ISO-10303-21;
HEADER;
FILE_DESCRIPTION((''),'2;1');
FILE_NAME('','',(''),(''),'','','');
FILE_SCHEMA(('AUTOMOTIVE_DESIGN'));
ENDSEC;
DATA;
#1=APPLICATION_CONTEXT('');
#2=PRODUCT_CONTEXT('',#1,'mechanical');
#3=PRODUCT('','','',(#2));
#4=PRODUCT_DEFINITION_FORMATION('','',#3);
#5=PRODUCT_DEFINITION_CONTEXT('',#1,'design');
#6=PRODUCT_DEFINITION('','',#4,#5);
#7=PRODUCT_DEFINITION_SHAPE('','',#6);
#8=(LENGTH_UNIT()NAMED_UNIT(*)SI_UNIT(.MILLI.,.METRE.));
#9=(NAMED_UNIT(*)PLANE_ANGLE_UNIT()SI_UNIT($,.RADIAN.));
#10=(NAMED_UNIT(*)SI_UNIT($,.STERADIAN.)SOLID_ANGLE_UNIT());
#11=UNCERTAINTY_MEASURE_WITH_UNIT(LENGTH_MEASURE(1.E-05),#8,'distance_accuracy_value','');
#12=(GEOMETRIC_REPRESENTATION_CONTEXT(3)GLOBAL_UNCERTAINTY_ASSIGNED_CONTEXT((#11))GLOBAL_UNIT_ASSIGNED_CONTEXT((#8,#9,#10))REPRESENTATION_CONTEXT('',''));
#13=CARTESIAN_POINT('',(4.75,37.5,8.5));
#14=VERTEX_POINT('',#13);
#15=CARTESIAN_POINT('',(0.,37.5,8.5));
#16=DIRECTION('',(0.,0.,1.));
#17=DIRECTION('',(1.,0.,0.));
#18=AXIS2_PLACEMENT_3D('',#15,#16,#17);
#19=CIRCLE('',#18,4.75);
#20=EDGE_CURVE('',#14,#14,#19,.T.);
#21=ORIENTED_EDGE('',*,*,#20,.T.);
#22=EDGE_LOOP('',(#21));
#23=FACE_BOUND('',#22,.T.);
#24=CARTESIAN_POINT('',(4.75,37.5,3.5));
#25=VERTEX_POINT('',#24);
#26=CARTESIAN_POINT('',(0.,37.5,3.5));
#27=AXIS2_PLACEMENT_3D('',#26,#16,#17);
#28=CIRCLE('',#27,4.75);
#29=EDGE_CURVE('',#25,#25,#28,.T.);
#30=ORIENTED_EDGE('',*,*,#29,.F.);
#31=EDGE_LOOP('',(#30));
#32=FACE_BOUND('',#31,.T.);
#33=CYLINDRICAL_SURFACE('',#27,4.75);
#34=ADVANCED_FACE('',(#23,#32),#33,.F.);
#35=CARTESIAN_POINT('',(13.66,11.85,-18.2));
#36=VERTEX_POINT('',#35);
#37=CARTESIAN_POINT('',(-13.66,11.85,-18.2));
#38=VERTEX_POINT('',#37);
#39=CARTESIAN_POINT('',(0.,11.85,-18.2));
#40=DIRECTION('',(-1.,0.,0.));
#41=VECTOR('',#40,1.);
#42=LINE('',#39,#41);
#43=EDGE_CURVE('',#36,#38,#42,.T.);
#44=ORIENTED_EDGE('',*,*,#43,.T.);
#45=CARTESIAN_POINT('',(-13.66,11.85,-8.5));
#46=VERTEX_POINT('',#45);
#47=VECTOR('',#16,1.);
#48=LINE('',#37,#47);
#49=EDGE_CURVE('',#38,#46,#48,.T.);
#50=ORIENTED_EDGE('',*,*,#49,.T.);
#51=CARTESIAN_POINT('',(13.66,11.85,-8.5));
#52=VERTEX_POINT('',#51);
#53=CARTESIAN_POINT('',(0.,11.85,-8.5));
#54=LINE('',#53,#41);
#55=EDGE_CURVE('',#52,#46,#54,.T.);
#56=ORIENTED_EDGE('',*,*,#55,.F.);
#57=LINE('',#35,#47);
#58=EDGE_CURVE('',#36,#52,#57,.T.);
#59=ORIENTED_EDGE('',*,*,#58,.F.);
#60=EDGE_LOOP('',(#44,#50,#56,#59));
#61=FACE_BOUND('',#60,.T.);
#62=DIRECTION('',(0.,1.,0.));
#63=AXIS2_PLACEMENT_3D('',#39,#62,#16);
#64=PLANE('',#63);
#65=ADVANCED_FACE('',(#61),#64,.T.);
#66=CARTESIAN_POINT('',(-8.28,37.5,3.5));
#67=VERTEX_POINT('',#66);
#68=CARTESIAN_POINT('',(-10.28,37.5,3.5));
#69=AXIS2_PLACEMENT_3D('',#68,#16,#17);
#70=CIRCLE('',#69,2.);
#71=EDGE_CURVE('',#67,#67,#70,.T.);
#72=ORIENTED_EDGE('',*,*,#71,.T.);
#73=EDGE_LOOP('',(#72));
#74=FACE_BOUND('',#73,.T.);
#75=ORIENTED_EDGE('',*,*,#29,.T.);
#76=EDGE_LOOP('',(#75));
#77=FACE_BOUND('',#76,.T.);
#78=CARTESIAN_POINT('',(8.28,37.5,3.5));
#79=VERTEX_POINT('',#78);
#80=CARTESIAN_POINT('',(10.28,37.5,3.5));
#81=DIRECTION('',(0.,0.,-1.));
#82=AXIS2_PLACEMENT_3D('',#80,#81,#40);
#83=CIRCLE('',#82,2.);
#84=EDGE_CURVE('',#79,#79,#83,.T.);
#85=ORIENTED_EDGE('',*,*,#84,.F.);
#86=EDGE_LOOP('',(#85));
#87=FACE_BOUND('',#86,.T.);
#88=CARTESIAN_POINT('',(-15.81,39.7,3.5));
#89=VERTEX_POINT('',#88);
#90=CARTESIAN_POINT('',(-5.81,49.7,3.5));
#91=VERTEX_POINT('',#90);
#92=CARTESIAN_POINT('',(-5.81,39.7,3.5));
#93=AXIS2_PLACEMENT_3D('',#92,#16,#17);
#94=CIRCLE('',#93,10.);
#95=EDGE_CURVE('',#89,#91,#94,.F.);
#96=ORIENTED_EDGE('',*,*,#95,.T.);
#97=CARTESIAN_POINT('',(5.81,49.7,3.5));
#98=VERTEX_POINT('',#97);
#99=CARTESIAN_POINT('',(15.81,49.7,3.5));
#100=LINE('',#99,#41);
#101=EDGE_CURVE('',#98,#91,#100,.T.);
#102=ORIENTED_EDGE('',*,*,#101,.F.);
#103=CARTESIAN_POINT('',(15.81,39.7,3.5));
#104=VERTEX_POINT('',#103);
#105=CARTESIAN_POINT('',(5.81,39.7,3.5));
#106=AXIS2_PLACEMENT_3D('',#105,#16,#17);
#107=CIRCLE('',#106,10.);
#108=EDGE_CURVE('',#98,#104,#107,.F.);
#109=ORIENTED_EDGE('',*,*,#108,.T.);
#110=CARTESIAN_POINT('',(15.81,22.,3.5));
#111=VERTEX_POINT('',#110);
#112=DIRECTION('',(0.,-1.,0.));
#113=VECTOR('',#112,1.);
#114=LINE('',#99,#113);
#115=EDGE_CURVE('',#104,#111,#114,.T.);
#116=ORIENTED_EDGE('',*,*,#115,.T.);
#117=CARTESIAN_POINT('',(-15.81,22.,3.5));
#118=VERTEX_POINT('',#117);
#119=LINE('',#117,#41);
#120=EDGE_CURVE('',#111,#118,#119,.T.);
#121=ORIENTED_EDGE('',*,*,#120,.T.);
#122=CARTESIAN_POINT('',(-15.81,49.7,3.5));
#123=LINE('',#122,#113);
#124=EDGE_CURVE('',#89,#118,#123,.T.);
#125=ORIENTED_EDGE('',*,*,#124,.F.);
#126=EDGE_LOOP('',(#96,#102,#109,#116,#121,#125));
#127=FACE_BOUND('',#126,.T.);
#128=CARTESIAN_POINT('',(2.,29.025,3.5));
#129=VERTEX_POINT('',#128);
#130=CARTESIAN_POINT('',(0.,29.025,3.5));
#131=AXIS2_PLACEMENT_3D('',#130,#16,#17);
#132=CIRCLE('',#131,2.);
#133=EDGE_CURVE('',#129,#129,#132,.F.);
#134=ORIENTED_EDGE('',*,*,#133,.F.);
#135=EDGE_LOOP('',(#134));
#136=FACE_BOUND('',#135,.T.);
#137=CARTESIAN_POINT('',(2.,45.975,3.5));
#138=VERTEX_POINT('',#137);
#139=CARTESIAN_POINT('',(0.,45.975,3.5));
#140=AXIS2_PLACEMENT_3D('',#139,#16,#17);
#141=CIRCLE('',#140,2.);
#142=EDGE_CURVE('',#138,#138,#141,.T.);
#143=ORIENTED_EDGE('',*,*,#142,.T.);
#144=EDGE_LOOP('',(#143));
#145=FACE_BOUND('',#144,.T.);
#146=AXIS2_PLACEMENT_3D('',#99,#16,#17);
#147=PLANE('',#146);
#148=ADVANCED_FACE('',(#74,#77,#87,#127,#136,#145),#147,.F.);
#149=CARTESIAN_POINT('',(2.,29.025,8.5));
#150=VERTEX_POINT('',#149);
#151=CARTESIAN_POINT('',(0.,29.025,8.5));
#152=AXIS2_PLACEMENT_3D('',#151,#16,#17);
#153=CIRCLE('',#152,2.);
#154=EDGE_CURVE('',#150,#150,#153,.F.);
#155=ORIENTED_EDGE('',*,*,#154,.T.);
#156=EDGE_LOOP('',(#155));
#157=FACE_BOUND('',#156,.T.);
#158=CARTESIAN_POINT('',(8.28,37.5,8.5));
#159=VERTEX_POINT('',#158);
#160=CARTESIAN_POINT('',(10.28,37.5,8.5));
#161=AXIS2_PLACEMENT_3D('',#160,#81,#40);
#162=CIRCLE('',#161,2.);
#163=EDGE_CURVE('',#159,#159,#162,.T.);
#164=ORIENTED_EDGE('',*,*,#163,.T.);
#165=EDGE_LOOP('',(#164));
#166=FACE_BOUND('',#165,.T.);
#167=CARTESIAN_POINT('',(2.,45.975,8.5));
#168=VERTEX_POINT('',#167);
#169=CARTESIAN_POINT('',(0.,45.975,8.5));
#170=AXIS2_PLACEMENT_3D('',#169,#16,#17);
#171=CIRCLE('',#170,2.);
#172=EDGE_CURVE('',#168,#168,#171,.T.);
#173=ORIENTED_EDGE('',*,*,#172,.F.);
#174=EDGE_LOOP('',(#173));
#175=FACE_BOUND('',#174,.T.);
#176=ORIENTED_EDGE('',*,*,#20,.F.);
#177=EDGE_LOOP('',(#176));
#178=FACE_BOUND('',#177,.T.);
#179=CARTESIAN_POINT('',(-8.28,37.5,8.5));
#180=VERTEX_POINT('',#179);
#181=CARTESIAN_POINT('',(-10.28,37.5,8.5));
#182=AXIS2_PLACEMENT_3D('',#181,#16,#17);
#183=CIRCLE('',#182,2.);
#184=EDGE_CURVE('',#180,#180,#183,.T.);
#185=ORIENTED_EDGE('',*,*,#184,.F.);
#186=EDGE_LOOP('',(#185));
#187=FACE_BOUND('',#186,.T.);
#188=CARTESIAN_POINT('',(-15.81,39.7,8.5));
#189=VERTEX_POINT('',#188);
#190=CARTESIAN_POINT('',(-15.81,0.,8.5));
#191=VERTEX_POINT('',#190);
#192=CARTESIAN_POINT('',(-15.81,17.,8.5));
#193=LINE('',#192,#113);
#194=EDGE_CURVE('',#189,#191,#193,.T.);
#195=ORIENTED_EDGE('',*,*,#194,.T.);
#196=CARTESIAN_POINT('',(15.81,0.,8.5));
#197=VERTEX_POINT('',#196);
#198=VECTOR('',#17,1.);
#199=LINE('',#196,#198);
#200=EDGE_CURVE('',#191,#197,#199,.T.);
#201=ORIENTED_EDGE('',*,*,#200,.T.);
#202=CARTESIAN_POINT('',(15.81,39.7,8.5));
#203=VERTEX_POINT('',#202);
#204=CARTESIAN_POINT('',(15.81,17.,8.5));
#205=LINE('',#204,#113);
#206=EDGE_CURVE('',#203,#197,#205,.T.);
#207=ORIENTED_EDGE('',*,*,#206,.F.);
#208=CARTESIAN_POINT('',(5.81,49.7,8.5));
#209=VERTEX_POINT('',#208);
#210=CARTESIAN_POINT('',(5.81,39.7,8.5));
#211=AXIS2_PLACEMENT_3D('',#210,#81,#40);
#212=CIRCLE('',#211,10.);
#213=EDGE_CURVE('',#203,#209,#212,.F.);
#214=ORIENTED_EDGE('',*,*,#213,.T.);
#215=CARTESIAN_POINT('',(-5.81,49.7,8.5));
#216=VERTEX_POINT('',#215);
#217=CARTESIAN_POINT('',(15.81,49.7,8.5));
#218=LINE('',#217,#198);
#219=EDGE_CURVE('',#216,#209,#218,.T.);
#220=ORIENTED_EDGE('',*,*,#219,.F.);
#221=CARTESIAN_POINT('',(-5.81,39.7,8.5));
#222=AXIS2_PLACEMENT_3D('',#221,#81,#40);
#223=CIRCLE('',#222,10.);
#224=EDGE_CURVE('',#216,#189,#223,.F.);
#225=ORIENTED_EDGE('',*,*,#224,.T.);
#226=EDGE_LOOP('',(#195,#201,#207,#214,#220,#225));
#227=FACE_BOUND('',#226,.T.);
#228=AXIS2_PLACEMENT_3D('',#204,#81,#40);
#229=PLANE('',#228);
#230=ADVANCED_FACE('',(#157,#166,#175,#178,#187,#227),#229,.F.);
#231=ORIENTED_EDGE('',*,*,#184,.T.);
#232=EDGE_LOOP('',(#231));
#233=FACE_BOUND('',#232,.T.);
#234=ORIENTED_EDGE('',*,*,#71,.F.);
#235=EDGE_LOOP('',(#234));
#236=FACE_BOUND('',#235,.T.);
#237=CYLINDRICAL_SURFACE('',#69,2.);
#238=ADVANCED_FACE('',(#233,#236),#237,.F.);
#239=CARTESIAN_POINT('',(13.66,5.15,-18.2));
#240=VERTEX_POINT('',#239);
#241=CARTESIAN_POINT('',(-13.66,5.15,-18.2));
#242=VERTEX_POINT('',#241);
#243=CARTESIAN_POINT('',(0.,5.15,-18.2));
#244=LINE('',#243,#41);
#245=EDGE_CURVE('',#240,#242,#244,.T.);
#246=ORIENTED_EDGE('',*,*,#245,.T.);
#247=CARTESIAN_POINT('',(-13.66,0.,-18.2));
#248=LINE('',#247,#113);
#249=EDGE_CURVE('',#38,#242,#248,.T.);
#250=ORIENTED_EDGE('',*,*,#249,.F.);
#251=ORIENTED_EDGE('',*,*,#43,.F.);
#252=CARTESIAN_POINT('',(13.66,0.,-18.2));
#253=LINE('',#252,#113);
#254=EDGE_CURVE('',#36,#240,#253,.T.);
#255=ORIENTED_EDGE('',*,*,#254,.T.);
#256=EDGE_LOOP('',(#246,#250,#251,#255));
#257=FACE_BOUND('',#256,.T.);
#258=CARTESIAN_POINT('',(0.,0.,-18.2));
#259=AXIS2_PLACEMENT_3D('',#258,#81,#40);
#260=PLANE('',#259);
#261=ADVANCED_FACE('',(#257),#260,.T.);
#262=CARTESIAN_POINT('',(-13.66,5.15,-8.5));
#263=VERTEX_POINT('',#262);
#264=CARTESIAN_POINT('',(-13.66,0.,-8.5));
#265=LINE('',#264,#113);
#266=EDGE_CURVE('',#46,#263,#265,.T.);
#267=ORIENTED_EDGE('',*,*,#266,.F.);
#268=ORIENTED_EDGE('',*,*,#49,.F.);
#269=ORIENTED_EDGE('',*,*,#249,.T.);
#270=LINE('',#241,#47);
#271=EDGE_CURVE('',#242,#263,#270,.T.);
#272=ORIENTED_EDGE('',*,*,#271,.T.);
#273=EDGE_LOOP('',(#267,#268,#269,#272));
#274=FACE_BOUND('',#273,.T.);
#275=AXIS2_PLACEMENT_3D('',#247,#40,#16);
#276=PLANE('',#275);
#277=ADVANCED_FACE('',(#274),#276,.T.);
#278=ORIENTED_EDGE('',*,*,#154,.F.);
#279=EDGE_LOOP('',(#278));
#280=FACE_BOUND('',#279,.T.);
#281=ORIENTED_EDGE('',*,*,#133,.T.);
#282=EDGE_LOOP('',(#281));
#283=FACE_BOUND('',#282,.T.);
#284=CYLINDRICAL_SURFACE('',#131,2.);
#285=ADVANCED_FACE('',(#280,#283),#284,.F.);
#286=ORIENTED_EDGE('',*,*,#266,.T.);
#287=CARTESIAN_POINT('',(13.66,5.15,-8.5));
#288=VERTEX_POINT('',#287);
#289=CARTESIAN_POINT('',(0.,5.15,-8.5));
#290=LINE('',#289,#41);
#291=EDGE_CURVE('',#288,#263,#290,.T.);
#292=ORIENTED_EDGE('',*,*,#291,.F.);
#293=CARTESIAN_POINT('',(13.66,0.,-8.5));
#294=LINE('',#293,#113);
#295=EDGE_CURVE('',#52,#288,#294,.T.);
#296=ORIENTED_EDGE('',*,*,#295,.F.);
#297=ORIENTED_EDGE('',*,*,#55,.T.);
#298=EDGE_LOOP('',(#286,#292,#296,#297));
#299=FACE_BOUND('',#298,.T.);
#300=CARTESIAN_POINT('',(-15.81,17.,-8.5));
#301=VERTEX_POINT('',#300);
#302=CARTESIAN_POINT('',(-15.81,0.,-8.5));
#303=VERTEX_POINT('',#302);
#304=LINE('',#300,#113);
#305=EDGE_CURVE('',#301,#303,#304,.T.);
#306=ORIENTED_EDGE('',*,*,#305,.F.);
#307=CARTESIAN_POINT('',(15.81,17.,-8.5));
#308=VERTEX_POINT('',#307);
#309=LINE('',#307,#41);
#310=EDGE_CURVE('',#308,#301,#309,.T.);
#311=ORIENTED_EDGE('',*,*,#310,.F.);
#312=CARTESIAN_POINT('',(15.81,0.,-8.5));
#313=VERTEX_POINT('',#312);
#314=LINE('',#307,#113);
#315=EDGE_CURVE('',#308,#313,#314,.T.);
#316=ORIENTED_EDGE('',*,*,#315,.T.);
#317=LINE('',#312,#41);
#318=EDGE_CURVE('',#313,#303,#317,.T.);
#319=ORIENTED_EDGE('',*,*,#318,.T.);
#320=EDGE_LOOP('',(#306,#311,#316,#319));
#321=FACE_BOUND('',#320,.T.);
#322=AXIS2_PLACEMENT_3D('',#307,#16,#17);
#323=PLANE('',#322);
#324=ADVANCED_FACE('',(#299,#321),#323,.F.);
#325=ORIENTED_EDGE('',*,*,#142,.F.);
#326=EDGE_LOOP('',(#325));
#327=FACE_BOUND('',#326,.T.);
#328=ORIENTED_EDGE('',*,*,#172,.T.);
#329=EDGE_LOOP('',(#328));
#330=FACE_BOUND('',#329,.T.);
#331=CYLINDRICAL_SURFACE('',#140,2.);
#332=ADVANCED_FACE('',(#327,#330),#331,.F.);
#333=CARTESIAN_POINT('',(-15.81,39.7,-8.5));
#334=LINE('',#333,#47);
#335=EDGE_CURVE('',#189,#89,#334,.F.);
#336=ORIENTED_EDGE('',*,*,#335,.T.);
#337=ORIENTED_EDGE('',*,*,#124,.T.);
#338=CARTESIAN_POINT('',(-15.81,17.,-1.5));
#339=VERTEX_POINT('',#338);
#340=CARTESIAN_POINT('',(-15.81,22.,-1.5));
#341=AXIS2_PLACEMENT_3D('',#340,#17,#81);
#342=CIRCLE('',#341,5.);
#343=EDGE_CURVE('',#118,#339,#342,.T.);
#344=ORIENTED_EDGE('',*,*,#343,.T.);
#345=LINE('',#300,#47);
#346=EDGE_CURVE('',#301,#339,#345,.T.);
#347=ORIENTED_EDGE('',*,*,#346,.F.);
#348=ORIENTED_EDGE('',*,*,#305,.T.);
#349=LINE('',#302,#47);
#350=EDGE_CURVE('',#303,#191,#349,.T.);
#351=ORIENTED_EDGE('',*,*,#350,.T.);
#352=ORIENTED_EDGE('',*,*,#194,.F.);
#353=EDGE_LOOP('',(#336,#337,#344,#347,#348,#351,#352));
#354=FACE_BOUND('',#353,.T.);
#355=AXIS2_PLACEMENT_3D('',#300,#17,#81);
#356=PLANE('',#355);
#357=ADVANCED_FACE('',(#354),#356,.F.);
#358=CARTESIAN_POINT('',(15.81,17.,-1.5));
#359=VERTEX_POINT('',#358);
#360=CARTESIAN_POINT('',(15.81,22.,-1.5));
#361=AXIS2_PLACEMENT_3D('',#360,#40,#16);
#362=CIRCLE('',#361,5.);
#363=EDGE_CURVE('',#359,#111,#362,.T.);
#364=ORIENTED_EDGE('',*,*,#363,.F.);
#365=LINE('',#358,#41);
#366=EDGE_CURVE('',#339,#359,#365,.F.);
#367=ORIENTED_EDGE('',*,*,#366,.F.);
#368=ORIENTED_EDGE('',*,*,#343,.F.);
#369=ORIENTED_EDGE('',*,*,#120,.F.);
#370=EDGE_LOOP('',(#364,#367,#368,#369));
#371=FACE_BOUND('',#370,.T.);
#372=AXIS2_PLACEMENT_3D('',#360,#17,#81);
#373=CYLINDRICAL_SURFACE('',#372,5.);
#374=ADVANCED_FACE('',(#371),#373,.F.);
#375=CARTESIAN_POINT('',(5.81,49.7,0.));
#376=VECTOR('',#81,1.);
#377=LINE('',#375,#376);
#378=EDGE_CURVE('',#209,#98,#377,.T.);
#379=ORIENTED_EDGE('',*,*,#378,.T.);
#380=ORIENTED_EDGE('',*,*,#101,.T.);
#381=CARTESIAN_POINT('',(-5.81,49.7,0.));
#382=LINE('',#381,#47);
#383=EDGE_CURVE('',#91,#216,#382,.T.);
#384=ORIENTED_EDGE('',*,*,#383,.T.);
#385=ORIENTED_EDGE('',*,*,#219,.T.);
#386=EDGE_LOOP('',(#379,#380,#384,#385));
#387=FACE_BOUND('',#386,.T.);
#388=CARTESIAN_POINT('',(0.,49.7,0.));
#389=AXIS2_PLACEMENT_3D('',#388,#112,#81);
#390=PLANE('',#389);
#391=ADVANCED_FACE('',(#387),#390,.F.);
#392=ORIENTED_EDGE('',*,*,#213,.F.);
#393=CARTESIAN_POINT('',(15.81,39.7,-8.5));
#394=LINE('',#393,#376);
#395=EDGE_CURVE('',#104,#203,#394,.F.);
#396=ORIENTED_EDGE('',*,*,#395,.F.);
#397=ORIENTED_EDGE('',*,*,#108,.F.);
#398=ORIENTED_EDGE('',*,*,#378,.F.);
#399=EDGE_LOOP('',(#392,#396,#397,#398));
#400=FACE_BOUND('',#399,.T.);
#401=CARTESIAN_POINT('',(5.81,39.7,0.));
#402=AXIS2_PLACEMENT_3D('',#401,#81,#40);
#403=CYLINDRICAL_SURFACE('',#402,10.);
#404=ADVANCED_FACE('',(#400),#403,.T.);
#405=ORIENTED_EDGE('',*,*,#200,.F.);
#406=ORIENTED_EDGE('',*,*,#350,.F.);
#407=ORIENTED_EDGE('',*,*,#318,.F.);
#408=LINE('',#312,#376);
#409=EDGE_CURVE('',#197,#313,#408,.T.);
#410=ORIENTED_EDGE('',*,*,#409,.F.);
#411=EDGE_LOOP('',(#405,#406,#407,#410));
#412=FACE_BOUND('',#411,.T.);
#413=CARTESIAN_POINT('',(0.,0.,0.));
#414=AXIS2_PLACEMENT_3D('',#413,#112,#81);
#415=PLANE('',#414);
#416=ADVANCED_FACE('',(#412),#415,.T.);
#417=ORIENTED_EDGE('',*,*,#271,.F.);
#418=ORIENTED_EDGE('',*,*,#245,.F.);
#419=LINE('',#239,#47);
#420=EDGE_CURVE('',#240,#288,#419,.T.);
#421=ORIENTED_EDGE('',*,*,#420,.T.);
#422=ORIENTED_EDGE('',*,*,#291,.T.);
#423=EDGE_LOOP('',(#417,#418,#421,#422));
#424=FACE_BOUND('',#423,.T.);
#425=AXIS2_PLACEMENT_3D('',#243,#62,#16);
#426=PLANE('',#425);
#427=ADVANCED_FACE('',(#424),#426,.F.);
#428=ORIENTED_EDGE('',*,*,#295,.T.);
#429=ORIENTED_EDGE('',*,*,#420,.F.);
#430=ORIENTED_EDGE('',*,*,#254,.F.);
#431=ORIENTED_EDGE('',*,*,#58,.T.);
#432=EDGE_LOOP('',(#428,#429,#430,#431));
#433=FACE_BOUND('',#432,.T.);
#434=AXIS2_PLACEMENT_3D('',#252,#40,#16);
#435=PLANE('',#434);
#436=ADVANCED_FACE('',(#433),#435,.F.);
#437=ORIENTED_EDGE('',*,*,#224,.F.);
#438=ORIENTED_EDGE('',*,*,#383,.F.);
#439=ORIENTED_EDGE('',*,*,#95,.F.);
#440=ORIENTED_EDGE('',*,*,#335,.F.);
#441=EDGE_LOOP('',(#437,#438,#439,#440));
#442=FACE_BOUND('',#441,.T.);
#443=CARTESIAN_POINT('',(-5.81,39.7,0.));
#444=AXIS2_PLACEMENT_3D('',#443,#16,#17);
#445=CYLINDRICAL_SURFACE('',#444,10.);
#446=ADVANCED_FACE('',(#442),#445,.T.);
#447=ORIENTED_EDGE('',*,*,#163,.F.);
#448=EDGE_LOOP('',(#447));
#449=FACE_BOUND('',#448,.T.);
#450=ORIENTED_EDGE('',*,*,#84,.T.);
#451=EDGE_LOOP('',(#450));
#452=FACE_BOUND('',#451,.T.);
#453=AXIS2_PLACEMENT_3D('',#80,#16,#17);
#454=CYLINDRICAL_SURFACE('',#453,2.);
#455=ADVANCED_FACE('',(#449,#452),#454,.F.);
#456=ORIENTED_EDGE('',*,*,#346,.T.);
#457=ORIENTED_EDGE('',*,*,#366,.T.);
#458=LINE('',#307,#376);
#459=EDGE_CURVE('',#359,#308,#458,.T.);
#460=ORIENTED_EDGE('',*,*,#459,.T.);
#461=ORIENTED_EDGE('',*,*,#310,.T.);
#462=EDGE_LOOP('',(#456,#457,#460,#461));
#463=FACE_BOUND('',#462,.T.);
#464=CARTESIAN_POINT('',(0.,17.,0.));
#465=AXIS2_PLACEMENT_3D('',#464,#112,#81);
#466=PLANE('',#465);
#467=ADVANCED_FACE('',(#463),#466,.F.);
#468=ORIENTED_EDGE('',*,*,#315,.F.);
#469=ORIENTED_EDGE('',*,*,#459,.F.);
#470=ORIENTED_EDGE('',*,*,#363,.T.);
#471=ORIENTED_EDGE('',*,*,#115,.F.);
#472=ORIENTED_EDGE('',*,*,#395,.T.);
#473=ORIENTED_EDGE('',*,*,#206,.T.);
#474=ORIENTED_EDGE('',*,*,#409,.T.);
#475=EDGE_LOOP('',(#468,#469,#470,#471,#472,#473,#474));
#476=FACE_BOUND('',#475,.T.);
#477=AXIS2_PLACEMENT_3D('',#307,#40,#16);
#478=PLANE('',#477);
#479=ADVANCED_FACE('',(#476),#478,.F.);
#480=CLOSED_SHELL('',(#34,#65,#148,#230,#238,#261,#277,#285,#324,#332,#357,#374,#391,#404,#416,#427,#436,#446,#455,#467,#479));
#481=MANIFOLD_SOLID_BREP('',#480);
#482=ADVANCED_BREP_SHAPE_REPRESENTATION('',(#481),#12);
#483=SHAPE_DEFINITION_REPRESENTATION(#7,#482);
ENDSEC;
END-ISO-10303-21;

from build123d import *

# Parameters (mm, degrees)
SKETCH1_W           = 31.62
SKETCH1_H           = 17
BOSS_EXTRUDE1_DEPTH = 17
SKETCH2_W           = 27.32
SKETCH2_H           = 6.7
BOSS_EXTRUDE2_DEPTH = 9.7
SKETCH3_W           = 31.62
SKETCH3_H           = 5
BOSS_EXTRUDE3_DEPTH = 32.7
SKETCH4_R           = 2
SKETCH4_R_2         = 4.75
CUT_EXTRUDE1_DEPTH  = 5
FILLET1_R           = 10
FILLET2_R           = 5


with BuildPart() as part:
    # Sketch1 → Boss-Extrude1 (new body)
    with BuildSketch(Plane(origin=(0, 0, 0), x_dir=(1, 0, 0), z_dir=(0, 1, 0))):
        Rectangle(SKETCH1_W, SKETCH1_H)
    extrude(amount=BOSS_EXTRUDE1_DEPTH)

    # Sketch2 → Boss-Extrude2 (add)
    with BuildSketch(Plane(origin=(0, 0, -8.5), x_dir=(-1, 0, 0), z_dir=(0, 0, -1))):
        with Locations((0, 8.5)):
            Rectangle(SKETCH2_W, SKETCH2_H)
    extrude(amount=BOSS_EXTRUDE2_DEPTH)

    # Sketch3 → Boss-Extrude3 (add)
    with BuildSketch(Plane(origin=(0, 17, 0), x_dir=(1, 0, 0), z_dir=(0, 1, 0))):
        with Locations((0, -6)):
            Rectangle(SKETCH3_W, SKETCH3_H)
    extrude(amount=BOSS_EXTRUDE3_DEPTH)

    # Sketch4 → Cut-Extrude1 (cut)
    with BuildSketch(Plane.XY.offset(8.5)):
        with Locations((0, 29.025)):
            Circle(SKETCH4_R)
        with Locations((-10.28, 37.5)):
            Circle(SKETCH4_R)
        with Locations((0, 45.975)):
            Circle(SKETCH4_R)
        with Locations(Location((10.28, 37.5, 0), (0, 0, 180))):
            Circle(SKETCH4_R)
        with Locations((0, 37.5)):
            Circle(SKETCH4_R_2)
    extrude(amount=-CUT_EXTRUDE1_DEPTH, mode=Mode.SUBTRACT)

    # Fillet1
    fillet1_edges = [part.edges().sort_by_distance(p)[0] for p in [
        (15.81, 49.7, 6),
        (-15.81, 49.7, 6),
    ]]
    fillet(fillet1_edges, radius=FILLET1_R)

    # Fillet2
    fillet2_edges = [part.edges().sort_by_distance(p)[0] for p in [
        (0, 17, 3.5),
    ]]
    fillet(fillet2_edges, radius=FILLET2_R)


solid = part.part
